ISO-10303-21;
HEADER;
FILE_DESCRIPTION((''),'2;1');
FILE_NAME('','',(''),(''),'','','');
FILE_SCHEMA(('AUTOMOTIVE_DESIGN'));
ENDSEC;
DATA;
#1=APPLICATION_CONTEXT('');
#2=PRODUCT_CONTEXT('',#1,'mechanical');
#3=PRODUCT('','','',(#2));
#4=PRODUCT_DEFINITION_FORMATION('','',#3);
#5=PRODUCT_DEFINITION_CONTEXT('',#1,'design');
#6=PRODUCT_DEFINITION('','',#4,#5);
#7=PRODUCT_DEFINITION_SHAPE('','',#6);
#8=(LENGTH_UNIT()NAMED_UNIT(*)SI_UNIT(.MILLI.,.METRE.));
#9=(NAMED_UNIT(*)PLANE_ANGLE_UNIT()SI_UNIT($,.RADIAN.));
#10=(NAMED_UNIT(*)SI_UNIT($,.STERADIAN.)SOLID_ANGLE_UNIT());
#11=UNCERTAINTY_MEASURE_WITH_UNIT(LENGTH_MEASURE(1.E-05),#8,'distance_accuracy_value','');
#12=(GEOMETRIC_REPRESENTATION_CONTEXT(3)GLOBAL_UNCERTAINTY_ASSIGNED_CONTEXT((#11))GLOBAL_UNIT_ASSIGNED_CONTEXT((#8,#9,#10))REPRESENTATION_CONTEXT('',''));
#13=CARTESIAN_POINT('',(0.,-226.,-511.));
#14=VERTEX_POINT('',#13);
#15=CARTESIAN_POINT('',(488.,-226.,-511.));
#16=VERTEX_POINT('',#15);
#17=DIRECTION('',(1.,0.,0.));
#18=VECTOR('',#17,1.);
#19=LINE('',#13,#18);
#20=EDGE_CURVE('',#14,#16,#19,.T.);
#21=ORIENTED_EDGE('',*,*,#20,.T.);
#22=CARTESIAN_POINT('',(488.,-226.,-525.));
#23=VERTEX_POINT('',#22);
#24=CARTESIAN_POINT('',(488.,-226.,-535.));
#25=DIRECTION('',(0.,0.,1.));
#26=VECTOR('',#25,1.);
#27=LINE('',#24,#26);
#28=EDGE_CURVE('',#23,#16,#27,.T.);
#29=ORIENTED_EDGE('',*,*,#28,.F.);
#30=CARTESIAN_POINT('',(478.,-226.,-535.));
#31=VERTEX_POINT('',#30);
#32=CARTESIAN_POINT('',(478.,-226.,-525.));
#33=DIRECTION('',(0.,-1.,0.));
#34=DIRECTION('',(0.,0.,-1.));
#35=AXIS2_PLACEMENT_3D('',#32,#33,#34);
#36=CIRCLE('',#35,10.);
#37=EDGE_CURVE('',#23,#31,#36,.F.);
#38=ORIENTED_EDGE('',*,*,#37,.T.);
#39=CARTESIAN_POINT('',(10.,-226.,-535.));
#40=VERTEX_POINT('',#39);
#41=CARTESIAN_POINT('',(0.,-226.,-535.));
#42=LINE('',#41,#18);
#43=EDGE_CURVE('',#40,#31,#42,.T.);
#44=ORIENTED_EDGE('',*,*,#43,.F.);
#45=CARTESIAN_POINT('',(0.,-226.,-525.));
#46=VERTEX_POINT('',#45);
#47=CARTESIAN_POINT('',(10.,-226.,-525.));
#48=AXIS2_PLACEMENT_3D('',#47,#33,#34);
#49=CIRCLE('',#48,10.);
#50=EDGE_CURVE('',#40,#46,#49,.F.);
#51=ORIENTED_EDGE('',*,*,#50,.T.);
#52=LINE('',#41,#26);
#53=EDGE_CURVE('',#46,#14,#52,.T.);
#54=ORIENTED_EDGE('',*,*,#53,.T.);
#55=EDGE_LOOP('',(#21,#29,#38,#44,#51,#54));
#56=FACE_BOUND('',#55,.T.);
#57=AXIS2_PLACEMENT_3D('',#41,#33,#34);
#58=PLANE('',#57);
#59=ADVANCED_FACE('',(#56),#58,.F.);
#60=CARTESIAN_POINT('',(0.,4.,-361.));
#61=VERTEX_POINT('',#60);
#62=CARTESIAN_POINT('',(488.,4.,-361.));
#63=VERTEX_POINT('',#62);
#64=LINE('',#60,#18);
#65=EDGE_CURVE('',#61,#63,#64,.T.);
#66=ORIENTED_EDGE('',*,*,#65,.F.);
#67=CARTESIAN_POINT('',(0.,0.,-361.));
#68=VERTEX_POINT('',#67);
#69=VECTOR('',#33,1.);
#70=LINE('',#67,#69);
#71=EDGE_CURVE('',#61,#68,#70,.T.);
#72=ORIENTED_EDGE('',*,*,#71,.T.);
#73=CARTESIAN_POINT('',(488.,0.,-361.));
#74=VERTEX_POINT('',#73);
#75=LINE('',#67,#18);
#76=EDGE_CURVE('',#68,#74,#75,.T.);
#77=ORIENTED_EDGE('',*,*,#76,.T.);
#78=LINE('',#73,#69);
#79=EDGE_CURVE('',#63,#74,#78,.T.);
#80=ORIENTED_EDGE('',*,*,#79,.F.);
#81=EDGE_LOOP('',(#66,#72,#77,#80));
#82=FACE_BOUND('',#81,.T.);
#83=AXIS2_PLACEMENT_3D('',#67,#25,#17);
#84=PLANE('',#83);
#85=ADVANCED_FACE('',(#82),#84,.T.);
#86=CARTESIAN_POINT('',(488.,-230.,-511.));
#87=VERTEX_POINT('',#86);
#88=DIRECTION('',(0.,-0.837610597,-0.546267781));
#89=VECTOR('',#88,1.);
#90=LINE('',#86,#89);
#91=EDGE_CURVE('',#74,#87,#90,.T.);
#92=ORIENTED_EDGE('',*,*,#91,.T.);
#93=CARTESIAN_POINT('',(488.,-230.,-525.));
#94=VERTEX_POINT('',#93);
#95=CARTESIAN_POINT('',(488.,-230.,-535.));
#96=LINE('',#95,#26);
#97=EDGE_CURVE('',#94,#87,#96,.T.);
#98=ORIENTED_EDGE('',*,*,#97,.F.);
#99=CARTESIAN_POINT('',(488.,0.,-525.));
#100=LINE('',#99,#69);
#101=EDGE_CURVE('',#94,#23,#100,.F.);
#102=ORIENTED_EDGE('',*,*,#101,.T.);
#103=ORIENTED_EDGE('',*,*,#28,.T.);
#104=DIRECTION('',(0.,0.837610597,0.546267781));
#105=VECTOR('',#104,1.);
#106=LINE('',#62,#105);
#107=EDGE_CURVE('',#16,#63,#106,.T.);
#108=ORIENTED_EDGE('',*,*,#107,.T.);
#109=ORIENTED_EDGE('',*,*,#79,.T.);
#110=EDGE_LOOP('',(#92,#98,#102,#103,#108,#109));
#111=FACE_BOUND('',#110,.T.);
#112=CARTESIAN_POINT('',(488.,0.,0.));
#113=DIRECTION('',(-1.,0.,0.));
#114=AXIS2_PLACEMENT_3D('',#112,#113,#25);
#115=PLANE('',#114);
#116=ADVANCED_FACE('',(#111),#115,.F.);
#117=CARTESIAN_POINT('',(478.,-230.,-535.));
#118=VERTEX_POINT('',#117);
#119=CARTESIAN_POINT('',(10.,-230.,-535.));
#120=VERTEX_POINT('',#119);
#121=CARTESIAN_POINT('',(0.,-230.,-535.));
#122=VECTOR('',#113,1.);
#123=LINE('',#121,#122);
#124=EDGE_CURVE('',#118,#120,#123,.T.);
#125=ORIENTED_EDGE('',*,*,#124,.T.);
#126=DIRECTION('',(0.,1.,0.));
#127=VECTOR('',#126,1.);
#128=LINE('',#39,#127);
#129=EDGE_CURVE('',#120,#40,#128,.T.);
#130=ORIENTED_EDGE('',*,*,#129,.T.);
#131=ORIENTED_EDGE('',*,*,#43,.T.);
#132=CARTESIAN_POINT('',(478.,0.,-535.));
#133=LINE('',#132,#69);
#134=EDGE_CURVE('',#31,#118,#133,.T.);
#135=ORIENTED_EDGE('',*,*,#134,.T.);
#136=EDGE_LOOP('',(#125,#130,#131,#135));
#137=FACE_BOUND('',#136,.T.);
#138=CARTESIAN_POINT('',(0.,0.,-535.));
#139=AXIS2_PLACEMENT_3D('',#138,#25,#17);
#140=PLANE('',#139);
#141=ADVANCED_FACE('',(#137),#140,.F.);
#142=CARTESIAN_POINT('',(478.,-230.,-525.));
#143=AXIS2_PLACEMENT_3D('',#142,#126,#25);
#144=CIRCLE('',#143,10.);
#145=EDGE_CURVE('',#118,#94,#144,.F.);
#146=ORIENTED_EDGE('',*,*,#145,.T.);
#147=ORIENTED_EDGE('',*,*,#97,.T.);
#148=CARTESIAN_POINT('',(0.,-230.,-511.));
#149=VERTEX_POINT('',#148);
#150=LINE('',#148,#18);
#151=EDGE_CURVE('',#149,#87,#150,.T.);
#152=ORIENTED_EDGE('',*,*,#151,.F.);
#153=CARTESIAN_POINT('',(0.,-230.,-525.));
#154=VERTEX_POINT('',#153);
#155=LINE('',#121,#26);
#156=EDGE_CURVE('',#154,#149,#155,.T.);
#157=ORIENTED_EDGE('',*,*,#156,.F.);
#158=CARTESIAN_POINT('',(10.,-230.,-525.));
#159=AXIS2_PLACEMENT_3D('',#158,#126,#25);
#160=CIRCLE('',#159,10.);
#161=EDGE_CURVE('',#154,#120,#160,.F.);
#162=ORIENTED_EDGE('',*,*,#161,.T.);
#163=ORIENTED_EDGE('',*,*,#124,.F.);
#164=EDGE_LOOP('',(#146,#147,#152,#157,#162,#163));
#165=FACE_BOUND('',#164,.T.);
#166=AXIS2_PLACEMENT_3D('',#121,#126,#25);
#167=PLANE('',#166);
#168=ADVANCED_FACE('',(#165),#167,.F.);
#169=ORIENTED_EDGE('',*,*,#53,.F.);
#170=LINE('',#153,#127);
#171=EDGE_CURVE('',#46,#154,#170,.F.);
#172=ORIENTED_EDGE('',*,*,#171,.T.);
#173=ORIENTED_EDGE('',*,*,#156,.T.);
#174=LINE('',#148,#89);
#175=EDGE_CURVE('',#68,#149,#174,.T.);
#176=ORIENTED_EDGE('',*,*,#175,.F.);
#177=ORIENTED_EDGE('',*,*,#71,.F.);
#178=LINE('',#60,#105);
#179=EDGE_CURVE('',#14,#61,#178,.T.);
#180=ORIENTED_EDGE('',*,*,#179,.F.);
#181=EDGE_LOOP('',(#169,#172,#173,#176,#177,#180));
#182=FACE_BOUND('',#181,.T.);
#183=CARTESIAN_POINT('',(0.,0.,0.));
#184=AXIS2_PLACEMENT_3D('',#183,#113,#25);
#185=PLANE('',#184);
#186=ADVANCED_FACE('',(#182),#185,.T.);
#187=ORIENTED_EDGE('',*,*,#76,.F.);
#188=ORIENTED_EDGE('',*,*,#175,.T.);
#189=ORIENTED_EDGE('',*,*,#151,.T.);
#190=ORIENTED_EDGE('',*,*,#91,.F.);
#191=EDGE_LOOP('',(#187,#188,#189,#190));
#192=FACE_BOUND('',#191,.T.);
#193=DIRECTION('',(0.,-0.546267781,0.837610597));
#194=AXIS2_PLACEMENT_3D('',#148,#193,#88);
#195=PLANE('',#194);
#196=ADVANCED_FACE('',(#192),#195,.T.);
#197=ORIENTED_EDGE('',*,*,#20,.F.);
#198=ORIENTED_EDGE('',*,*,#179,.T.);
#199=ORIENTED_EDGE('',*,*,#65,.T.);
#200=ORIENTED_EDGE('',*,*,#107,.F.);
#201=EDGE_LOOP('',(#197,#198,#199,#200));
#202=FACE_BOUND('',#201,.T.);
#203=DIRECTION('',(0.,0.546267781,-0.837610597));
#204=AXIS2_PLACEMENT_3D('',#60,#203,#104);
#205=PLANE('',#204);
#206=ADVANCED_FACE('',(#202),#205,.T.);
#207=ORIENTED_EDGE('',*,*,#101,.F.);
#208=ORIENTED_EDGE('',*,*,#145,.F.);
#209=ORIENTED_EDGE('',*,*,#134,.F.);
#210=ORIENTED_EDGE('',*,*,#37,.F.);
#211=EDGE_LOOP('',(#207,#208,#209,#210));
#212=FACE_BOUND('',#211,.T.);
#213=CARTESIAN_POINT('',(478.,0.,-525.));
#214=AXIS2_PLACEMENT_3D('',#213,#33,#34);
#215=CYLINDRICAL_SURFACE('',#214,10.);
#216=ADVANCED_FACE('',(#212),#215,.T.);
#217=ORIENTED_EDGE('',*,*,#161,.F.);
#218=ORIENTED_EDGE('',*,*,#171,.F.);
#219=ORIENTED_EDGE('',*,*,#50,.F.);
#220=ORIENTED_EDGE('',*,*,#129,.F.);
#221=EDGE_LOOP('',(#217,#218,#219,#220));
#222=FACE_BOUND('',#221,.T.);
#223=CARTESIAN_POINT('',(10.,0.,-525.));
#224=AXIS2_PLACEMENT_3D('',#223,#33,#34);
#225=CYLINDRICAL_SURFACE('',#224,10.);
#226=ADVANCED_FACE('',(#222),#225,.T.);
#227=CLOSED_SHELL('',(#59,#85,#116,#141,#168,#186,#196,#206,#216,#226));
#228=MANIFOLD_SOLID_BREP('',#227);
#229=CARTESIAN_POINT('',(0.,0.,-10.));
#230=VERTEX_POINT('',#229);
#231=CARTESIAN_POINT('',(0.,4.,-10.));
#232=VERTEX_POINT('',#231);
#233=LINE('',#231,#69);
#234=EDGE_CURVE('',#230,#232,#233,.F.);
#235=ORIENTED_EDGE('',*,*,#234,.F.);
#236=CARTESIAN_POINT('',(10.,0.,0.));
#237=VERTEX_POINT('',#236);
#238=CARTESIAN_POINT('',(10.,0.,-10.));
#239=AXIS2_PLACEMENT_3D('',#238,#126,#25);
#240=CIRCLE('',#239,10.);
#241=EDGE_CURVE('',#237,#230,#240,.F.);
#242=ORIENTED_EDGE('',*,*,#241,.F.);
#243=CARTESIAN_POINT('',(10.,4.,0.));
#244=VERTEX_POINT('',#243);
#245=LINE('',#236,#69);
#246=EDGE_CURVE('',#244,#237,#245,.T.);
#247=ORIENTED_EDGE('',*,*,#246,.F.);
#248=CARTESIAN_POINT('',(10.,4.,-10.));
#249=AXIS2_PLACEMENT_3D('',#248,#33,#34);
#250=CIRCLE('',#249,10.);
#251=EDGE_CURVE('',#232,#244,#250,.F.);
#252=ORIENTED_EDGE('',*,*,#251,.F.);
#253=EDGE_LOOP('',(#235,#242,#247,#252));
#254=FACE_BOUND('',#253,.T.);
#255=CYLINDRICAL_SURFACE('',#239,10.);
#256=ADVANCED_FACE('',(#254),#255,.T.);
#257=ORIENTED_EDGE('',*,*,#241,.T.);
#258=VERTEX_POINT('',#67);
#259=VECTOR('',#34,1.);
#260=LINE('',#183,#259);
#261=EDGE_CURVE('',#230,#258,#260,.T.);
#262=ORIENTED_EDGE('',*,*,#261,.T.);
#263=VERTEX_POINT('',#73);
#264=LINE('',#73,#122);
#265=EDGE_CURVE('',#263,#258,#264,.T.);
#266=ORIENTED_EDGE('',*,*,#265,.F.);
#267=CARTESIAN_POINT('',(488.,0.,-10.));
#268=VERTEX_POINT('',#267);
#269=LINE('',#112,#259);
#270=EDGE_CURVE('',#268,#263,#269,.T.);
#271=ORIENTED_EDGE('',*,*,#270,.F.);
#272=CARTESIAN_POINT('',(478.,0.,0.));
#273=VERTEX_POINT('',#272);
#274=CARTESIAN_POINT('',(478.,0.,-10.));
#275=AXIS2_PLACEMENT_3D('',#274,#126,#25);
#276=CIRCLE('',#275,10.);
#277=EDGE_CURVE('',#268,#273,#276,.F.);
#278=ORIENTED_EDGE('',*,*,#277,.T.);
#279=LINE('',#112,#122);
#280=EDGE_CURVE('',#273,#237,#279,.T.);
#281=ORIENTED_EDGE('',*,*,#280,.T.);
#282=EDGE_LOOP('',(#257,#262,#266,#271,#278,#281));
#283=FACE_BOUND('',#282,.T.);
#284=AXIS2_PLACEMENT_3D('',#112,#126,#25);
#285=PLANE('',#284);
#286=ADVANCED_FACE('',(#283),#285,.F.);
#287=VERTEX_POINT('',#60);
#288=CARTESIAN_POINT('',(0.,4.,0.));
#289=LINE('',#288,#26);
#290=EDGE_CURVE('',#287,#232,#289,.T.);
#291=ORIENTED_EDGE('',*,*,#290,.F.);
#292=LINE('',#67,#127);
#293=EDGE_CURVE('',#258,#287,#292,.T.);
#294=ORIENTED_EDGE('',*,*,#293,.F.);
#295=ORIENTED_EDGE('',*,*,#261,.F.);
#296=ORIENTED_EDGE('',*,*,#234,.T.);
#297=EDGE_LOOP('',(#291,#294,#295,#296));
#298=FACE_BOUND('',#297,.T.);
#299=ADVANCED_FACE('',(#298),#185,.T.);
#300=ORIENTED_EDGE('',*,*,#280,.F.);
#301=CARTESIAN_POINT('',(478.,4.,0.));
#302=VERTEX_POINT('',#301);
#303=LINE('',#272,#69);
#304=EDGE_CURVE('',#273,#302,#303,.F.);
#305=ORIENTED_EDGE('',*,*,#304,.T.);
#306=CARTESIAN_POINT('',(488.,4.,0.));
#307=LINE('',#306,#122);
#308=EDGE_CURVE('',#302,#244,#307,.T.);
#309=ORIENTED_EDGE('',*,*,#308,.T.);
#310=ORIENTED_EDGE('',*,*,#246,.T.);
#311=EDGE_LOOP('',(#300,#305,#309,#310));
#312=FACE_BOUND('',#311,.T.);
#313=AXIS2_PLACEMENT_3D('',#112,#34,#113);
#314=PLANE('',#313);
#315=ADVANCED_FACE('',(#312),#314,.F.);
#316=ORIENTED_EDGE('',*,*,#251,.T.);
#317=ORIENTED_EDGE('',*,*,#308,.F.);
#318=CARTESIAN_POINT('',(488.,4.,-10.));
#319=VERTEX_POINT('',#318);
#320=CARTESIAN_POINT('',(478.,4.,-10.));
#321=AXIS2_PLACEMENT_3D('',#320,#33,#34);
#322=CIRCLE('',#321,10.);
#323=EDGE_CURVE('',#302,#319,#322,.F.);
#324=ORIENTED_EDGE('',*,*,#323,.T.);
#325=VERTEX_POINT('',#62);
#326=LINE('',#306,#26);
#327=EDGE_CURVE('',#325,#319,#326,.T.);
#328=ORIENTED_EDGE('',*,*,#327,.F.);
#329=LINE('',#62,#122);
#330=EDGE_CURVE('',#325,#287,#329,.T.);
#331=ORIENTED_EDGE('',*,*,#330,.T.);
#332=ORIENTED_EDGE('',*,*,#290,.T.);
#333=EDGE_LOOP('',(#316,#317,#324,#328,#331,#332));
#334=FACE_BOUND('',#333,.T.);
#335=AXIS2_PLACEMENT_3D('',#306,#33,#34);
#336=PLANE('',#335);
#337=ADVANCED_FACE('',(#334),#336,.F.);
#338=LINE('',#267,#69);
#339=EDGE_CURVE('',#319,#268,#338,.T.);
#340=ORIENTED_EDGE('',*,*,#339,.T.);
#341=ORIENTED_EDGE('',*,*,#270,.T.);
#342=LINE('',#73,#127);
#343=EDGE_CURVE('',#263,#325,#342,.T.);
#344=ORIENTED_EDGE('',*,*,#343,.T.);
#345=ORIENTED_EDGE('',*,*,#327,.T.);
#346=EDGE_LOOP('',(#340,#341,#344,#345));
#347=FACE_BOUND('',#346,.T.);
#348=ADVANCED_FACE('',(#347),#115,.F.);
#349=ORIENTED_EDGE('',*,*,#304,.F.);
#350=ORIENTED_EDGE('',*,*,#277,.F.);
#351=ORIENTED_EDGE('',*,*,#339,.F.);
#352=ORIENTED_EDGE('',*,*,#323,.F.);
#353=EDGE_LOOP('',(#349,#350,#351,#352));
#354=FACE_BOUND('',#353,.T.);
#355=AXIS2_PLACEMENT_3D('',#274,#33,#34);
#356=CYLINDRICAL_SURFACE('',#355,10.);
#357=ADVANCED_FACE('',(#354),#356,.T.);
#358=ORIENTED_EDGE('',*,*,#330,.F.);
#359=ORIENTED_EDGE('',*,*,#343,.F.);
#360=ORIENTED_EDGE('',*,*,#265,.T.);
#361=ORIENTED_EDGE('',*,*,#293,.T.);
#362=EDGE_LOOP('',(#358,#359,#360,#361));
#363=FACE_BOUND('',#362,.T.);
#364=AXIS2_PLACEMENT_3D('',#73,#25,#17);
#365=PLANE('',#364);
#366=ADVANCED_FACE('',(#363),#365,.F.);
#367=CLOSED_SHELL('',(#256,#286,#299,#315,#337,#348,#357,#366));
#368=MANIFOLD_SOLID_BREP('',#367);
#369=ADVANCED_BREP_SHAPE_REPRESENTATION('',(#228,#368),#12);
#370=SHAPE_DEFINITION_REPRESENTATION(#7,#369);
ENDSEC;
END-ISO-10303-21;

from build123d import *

# Parameters (mm, degrees)
SKETCH2_W           = 361
SKETCH2_H           = 4
BOSS_EXTRUDE1_DEPTH = 488
BOSS_EXTRUDE2_DEPTH = 488
SKETCH4_W           = 488
SKETCH4_H           = 4
BOSS_EXTRUDE3_DEPTH = 24
FILLET2_R           = 10
FILLET3_R           = 10


with BuildPart() as part:
    # Sketch2 → Boss-Extrude1 (new body)
    with BuildSketch(Plane(origin=(0, 0, 0), x_dir=(0, 0, -1), z_dir=(1, 0, 0))):
        with Locations((180.5, 2)):
            Rectangle(SKETCH2_W, SKETCH2_H)
    extrude(amount=BOSS_EXTRUDE1_DEPTH)

    # Fillet3
    fillet3_edges = [part.edges().sort_by_distance(p)[0] for p in [
        (488, 2, 0),
        (0, 2, 0),
    ]]
    fillet(fillet3_edges, radius=FILLET3_R)


with BuildPart() as body_2:
    # Sketch3 → Boss-Extrude2 (new body)
    with BuildSketch(Plane(origin=(488, 0, 0), x_dir=(0, 0, -1), z_dir=(1, 0, 0))):
        Polygon((361, 4), (511, -226), (511, -230), (361, 0), align=None)
    extrude(amount=-BOSS_EXTRUDE2_DEPTH)

    # Sketch4 → Boss-Extrude3 (add)
    with BuildSketch(Plane(origin=(0, 0, -511), x_dir=(-1, 0, 0), z_dir=(0, 0, -1))):
        with Locations((-244, -228)):
            Rectangle(SKETCH4_W, SKETCH4_H)
    extrude(amount=BOSS_EXTRUDE3_DEPTH)

    # Fillet2
    fillet2_edges = [body_2.edges().sort_by_distance(p)[0] for p in [
        (0, -228, -535),
        (488, -228, -535),
    ]]
    fillet(fillet2_edges, radius=FILLET2_R)


solid = Compound([part.part, body_2.part])
